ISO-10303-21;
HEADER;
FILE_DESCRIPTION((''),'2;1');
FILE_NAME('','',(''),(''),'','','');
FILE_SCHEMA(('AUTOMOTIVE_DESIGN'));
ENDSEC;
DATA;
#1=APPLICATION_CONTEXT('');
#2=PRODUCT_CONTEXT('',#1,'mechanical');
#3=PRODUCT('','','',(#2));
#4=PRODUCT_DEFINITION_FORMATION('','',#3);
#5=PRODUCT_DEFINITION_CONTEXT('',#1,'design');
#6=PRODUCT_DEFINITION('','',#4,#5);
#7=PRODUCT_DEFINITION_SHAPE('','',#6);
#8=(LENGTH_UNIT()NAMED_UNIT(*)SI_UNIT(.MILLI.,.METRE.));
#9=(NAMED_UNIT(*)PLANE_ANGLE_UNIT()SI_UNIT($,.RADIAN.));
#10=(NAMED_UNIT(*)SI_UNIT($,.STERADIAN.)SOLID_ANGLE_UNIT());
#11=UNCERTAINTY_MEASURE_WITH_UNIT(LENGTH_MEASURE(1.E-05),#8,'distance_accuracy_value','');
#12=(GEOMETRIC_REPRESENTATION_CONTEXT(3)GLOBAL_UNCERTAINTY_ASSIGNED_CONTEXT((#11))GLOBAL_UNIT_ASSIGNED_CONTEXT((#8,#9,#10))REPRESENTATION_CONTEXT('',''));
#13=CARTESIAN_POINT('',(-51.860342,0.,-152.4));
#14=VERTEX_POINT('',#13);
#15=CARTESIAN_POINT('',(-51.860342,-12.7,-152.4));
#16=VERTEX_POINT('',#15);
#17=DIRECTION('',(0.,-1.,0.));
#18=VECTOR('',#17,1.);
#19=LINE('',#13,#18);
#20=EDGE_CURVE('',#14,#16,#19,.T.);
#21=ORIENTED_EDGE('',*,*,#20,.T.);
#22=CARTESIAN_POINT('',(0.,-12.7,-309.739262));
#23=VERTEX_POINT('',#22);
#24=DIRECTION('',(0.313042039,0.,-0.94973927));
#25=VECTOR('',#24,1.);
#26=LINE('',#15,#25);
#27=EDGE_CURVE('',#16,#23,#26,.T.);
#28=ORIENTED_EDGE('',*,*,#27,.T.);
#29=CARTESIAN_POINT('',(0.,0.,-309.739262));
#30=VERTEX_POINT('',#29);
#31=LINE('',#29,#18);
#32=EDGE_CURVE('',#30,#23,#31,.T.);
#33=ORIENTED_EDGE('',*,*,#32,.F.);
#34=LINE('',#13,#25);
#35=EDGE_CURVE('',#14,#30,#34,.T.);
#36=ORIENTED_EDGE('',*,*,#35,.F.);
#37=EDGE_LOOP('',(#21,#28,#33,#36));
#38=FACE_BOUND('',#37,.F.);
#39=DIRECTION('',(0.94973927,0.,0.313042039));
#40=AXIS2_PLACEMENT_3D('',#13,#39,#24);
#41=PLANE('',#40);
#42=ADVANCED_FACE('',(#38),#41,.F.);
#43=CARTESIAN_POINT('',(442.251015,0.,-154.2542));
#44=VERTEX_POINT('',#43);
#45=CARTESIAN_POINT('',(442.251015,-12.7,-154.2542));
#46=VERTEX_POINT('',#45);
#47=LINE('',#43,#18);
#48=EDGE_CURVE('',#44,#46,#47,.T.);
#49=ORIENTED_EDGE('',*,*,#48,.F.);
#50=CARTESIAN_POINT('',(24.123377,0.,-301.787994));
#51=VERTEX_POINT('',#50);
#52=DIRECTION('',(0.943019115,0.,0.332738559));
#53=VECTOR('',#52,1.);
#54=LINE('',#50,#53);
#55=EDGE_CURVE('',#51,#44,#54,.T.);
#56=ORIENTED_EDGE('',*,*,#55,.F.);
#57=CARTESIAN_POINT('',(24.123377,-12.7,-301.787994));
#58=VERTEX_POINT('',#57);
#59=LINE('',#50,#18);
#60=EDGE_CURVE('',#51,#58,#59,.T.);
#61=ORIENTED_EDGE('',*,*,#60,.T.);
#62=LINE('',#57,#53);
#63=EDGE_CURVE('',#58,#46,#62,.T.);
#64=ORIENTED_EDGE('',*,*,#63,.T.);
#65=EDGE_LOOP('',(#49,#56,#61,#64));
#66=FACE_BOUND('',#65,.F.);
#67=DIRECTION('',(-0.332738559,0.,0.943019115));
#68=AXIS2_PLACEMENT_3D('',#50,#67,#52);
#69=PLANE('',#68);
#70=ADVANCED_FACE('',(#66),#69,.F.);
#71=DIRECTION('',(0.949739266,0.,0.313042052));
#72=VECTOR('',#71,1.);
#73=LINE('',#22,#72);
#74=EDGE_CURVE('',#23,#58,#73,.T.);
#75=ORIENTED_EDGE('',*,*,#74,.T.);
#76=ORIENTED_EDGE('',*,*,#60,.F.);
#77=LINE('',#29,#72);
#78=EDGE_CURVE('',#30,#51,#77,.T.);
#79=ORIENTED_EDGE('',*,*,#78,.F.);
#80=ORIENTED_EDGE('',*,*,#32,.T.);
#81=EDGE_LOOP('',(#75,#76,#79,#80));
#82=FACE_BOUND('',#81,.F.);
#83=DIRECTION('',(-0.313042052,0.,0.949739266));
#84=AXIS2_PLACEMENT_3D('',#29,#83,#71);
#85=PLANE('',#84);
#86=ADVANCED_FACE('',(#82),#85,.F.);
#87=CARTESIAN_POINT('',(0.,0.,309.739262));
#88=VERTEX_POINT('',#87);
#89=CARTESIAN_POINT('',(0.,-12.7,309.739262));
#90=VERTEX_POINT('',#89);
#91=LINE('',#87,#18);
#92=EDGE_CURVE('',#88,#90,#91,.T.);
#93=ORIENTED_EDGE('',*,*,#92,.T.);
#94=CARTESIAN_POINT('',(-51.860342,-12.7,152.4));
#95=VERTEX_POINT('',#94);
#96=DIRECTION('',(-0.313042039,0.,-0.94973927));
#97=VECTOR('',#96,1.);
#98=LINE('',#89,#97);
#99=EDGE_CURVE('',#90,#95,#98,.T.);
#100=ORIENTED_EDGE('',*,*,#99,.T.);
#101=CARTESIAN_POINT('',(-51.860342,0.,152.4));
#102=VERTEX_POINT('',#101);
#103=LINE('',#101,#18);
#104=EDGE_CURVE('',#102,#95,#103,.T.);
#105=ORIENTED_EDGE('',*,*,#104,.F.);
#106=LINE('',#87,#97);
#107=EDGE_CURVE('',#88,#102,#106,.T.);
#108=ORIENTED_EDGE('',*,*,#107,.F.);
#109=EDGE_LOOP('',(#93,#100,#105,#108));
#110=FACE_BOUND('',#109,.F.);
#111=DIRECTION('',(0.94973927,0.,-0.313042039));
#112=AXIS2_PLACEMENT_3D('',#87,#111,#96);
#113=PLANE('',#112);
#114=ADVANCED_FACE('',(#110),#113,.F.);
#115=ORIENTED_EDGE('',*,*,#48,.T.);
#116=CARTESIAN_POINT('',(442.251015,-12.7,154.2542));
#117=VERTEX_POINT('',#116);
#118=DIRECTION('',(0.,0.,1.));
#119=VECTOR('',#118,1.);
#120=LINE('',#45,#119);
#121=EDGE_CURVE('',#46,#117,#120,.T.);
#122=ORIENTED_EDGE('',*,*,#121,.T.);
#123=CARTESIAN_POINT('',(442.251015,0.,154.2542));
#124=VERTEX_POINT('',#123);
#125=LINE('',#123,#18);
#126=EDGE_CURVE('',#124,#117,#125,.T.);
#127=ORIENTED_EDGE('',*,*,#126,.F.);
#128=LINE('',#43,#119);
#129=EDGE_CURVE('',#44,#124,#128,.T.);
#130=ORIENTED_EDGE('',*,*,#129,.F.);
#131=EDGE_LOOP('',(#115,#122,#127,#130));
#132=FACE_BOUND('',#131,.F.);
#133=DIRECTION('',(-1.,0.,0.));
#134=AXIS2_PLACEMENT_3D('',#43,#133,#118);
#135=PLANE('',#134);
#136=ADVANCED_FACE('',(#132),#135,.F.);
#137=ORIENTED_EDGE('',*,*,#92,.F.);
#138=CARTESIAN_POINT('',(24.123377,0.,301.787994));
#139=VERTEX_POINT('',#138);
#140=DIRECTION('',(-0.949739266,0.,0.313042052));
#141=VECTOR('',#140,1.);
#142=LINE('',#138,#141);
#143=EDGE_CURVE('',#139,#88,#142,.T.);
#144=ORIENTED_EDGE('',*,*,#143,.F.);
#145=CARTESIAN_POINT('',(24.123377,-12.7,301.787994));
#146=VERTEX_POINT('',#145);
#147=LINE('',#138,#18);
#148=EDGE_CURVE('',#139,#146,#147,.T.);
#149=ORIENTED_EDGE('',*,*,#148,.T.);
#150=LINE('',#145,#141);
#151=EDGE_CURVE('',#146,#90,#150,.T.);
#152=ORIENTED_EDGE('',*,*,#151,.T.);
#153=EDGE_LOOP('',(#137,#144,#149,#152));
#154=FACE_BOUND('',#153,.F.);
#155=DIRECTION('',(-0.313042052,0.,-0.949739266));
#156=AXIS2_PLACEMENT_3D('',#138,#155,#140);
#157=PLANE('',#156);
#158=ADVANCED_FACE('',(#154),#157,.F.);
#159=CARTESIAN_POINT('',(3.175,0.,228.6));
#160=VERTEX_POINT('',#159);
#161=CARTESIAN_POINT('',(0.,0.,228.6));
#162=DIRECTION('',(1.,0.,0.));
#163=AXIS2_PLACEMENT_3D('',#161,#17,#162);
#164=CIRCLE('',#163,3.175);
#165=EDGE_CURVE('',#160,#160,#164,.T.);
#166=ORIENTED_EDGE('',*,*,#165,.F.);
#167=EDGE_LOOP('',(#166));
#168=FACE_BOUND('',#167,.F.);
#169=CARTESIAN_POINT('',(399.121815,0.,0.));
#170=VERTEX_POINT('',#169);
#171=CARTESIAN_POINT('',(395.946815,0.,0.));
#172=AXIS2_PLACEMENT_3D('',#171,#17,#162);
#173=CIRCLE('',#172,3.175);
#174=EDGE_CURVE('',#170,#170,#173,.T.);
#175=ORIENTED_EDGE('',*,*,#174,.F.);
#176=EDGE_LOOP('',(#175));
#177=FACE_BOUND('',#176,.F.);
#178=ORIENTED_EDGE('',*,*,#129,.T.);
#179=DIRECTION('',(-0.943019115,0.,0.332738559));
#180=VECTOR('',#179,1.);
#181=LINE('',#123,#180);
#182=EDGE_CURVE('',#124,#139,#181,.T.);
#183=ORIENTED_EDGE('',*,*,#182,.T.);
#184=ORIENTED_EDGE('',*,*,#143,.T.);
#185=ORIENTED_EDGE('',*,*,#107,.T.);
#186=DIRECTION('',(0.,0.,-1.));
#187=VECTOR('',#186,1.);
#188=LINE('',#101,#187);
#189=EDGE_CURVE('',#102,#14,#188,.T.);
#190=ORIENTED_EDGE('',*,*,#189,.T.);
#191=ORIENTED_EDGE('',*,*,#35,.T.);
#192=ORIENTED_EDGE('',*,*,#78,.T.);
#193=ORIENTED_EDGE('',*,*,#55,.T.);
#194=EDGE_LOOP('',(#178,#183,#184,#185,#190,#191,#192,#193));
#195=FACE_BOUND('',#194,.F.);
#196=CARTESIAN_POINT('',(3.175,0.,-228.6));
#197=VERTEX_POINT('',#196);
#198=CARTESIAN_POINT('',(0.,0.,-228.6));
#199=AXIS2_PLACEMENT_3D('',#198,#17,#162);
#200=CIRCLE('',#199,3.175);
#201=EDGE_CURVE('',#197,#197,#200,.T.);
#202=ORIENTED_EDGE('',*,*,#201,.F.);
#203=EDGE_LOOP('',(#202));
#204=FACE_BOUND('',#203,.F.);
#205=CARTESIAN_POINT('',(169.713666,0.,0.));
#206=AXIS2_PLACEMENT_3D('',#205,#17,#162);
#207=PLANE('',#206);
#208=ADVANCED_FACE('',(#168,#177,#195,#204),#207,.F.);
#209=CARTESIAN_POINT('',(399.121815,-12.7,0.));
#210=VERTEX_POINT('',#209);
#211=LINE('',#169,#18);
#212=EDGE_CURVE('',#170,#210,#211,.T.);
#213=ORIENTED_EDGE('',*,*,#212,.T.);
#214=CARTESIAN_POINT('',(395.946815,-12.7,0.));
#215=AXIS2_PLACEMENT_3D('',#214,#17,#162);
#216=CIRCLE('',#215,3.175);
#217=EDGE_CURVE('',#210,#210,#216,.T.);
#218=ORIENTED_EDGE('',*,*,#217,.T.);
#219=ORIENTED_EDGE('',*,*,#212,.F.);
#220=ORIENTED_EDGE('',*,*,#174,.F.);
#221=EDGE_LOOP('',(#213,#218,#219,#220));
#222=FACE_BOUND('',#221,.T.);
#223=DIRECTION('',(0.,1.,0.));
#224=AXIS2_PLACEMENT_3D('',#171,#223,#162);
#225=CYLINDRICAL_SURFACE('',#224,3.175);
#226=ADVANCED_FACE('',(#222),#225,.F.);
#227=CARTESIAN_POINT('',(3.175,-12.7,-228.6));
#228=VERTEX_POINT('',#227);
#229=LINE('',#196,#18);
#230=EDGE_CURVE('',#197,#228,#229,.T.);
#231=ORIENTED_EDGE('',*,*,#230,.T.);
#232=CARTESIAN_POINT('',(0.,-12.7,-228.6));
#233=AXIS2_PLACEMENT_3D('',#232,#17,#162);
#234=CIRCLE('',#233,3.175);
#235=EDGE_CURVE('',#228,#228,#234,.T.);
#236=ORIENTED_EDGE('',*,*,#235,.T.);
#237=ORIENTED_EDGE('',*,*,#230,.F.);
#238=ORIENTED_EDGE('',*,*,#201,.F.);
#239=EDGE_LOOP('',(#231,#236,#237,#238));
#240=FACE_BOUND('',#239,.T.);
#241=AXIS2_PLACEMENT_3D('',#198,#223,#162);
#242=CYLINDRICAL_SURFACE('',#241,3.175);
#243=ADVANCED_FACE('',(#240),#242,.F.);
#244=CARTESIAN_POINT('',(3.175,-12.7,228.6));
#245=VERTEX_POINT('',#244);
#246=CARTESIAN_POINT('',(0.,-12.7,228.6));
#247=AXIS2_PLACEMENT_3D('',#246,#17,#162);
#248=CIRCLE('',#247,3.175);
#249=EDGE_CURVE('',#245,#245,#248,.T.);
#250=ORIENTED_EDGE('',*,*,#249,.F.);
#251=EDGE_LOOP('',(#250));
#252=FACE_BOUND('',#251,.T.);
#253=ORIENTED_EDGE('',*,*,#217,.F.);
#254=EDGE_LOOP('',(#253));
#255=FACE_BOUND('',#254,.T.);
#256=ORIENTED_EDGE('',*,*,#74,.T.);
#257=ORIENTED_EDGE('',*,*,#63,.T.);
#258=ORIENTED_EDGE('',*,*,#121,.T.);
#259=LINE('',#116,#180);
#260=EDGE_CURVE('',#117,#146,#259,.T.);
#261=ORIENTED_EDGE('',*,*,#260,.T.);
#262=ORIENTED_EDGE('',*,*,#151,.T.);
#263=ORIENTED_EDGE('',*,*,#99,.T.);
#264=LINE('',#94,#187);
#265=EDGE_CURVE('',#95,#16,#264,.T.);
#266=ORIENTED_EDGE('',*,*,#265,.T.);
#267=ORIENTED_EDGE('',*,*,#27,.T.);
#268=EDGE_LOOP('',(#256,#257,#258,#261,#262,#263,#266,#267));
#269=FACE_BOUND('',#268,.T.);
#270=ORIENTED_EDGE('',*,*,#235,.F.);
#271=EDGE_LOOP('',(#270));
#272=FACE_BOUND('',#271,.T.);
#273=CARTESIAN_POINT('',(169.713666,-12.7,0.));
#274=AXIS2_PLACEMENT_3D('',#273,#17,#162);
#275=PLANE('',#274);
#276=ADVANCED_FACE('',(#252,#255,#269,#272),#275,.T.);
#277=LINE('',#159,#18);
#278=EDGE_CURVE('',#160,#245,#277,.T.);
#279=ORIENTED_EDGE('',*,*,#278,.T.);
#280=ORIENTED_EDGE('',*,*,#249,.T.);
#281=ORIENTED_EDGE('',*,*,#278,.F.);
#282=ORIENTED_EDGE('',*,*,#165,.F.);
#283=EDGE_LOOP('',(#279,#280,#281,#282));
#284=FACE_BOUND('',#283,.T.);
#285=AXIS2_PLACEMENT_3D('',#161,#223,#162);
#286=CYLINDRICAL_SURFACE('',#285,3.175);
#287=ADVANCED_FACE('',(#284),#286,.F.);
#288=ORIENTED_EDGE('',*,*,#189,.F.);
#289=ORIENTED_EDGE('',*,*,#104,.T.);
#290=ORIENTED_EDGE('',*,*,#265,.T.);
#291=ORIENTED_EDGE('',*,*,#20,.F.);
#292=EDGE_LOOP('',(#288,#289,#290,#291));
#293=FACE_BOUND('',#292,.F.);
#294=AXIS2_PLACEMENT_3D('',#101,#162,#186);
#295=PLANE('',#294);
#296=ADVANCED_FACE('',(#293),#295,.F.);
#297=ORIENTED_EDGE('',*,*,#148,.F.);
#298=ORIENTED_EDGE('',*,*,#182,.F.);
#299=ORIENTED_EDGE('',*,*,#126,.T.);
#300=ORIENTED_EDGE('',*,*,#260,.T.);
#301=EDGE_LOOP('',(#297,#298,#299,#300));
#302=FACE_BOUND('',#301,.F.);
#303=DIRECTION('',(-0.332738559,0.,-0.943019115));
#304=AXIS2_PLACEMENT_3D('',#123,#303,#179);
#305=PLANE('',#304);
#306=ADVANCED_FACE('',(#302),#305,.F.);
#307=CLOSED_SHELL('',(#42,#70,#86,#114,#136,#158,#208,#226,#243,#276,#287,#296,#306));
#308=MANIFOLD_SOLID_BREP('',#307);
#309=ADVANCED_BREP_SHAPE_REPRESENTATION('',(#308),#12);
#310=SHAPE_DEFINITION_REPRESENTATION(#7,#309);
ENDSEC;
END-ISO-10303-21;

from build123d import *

# Parameters (mm, degrees)
F0_R     = 3.175
F1_DEPTH = 12.7


with BuildPart() as f1:
    # F0 (on Front) → F1 (new body)
    with BuildSketch(Plane.XZ):
        Polygon((24.123377, 301.787994), (0, 309.739262), (-51.860342, 152.4), (-51.860342, -152.4), (0, -309.739262), (24.123377, -301.787994), (442.251015, -154.2542), (442.251015, 154.2542), align=None)
        with Locations((0, -228.6)):
            Circle(F0_R, mode=Mode.SUBTRACT)
        with Locations((395.946815, 0)):
            Circle(F0_R, mode=Mode.SUBTRACT)
        with Locations((0, 228.6)):
            Circle(F0_R, mode=Mode.SUBTRACT)
    extrude(amount=F1_DEPTH)


solid = f1.part
